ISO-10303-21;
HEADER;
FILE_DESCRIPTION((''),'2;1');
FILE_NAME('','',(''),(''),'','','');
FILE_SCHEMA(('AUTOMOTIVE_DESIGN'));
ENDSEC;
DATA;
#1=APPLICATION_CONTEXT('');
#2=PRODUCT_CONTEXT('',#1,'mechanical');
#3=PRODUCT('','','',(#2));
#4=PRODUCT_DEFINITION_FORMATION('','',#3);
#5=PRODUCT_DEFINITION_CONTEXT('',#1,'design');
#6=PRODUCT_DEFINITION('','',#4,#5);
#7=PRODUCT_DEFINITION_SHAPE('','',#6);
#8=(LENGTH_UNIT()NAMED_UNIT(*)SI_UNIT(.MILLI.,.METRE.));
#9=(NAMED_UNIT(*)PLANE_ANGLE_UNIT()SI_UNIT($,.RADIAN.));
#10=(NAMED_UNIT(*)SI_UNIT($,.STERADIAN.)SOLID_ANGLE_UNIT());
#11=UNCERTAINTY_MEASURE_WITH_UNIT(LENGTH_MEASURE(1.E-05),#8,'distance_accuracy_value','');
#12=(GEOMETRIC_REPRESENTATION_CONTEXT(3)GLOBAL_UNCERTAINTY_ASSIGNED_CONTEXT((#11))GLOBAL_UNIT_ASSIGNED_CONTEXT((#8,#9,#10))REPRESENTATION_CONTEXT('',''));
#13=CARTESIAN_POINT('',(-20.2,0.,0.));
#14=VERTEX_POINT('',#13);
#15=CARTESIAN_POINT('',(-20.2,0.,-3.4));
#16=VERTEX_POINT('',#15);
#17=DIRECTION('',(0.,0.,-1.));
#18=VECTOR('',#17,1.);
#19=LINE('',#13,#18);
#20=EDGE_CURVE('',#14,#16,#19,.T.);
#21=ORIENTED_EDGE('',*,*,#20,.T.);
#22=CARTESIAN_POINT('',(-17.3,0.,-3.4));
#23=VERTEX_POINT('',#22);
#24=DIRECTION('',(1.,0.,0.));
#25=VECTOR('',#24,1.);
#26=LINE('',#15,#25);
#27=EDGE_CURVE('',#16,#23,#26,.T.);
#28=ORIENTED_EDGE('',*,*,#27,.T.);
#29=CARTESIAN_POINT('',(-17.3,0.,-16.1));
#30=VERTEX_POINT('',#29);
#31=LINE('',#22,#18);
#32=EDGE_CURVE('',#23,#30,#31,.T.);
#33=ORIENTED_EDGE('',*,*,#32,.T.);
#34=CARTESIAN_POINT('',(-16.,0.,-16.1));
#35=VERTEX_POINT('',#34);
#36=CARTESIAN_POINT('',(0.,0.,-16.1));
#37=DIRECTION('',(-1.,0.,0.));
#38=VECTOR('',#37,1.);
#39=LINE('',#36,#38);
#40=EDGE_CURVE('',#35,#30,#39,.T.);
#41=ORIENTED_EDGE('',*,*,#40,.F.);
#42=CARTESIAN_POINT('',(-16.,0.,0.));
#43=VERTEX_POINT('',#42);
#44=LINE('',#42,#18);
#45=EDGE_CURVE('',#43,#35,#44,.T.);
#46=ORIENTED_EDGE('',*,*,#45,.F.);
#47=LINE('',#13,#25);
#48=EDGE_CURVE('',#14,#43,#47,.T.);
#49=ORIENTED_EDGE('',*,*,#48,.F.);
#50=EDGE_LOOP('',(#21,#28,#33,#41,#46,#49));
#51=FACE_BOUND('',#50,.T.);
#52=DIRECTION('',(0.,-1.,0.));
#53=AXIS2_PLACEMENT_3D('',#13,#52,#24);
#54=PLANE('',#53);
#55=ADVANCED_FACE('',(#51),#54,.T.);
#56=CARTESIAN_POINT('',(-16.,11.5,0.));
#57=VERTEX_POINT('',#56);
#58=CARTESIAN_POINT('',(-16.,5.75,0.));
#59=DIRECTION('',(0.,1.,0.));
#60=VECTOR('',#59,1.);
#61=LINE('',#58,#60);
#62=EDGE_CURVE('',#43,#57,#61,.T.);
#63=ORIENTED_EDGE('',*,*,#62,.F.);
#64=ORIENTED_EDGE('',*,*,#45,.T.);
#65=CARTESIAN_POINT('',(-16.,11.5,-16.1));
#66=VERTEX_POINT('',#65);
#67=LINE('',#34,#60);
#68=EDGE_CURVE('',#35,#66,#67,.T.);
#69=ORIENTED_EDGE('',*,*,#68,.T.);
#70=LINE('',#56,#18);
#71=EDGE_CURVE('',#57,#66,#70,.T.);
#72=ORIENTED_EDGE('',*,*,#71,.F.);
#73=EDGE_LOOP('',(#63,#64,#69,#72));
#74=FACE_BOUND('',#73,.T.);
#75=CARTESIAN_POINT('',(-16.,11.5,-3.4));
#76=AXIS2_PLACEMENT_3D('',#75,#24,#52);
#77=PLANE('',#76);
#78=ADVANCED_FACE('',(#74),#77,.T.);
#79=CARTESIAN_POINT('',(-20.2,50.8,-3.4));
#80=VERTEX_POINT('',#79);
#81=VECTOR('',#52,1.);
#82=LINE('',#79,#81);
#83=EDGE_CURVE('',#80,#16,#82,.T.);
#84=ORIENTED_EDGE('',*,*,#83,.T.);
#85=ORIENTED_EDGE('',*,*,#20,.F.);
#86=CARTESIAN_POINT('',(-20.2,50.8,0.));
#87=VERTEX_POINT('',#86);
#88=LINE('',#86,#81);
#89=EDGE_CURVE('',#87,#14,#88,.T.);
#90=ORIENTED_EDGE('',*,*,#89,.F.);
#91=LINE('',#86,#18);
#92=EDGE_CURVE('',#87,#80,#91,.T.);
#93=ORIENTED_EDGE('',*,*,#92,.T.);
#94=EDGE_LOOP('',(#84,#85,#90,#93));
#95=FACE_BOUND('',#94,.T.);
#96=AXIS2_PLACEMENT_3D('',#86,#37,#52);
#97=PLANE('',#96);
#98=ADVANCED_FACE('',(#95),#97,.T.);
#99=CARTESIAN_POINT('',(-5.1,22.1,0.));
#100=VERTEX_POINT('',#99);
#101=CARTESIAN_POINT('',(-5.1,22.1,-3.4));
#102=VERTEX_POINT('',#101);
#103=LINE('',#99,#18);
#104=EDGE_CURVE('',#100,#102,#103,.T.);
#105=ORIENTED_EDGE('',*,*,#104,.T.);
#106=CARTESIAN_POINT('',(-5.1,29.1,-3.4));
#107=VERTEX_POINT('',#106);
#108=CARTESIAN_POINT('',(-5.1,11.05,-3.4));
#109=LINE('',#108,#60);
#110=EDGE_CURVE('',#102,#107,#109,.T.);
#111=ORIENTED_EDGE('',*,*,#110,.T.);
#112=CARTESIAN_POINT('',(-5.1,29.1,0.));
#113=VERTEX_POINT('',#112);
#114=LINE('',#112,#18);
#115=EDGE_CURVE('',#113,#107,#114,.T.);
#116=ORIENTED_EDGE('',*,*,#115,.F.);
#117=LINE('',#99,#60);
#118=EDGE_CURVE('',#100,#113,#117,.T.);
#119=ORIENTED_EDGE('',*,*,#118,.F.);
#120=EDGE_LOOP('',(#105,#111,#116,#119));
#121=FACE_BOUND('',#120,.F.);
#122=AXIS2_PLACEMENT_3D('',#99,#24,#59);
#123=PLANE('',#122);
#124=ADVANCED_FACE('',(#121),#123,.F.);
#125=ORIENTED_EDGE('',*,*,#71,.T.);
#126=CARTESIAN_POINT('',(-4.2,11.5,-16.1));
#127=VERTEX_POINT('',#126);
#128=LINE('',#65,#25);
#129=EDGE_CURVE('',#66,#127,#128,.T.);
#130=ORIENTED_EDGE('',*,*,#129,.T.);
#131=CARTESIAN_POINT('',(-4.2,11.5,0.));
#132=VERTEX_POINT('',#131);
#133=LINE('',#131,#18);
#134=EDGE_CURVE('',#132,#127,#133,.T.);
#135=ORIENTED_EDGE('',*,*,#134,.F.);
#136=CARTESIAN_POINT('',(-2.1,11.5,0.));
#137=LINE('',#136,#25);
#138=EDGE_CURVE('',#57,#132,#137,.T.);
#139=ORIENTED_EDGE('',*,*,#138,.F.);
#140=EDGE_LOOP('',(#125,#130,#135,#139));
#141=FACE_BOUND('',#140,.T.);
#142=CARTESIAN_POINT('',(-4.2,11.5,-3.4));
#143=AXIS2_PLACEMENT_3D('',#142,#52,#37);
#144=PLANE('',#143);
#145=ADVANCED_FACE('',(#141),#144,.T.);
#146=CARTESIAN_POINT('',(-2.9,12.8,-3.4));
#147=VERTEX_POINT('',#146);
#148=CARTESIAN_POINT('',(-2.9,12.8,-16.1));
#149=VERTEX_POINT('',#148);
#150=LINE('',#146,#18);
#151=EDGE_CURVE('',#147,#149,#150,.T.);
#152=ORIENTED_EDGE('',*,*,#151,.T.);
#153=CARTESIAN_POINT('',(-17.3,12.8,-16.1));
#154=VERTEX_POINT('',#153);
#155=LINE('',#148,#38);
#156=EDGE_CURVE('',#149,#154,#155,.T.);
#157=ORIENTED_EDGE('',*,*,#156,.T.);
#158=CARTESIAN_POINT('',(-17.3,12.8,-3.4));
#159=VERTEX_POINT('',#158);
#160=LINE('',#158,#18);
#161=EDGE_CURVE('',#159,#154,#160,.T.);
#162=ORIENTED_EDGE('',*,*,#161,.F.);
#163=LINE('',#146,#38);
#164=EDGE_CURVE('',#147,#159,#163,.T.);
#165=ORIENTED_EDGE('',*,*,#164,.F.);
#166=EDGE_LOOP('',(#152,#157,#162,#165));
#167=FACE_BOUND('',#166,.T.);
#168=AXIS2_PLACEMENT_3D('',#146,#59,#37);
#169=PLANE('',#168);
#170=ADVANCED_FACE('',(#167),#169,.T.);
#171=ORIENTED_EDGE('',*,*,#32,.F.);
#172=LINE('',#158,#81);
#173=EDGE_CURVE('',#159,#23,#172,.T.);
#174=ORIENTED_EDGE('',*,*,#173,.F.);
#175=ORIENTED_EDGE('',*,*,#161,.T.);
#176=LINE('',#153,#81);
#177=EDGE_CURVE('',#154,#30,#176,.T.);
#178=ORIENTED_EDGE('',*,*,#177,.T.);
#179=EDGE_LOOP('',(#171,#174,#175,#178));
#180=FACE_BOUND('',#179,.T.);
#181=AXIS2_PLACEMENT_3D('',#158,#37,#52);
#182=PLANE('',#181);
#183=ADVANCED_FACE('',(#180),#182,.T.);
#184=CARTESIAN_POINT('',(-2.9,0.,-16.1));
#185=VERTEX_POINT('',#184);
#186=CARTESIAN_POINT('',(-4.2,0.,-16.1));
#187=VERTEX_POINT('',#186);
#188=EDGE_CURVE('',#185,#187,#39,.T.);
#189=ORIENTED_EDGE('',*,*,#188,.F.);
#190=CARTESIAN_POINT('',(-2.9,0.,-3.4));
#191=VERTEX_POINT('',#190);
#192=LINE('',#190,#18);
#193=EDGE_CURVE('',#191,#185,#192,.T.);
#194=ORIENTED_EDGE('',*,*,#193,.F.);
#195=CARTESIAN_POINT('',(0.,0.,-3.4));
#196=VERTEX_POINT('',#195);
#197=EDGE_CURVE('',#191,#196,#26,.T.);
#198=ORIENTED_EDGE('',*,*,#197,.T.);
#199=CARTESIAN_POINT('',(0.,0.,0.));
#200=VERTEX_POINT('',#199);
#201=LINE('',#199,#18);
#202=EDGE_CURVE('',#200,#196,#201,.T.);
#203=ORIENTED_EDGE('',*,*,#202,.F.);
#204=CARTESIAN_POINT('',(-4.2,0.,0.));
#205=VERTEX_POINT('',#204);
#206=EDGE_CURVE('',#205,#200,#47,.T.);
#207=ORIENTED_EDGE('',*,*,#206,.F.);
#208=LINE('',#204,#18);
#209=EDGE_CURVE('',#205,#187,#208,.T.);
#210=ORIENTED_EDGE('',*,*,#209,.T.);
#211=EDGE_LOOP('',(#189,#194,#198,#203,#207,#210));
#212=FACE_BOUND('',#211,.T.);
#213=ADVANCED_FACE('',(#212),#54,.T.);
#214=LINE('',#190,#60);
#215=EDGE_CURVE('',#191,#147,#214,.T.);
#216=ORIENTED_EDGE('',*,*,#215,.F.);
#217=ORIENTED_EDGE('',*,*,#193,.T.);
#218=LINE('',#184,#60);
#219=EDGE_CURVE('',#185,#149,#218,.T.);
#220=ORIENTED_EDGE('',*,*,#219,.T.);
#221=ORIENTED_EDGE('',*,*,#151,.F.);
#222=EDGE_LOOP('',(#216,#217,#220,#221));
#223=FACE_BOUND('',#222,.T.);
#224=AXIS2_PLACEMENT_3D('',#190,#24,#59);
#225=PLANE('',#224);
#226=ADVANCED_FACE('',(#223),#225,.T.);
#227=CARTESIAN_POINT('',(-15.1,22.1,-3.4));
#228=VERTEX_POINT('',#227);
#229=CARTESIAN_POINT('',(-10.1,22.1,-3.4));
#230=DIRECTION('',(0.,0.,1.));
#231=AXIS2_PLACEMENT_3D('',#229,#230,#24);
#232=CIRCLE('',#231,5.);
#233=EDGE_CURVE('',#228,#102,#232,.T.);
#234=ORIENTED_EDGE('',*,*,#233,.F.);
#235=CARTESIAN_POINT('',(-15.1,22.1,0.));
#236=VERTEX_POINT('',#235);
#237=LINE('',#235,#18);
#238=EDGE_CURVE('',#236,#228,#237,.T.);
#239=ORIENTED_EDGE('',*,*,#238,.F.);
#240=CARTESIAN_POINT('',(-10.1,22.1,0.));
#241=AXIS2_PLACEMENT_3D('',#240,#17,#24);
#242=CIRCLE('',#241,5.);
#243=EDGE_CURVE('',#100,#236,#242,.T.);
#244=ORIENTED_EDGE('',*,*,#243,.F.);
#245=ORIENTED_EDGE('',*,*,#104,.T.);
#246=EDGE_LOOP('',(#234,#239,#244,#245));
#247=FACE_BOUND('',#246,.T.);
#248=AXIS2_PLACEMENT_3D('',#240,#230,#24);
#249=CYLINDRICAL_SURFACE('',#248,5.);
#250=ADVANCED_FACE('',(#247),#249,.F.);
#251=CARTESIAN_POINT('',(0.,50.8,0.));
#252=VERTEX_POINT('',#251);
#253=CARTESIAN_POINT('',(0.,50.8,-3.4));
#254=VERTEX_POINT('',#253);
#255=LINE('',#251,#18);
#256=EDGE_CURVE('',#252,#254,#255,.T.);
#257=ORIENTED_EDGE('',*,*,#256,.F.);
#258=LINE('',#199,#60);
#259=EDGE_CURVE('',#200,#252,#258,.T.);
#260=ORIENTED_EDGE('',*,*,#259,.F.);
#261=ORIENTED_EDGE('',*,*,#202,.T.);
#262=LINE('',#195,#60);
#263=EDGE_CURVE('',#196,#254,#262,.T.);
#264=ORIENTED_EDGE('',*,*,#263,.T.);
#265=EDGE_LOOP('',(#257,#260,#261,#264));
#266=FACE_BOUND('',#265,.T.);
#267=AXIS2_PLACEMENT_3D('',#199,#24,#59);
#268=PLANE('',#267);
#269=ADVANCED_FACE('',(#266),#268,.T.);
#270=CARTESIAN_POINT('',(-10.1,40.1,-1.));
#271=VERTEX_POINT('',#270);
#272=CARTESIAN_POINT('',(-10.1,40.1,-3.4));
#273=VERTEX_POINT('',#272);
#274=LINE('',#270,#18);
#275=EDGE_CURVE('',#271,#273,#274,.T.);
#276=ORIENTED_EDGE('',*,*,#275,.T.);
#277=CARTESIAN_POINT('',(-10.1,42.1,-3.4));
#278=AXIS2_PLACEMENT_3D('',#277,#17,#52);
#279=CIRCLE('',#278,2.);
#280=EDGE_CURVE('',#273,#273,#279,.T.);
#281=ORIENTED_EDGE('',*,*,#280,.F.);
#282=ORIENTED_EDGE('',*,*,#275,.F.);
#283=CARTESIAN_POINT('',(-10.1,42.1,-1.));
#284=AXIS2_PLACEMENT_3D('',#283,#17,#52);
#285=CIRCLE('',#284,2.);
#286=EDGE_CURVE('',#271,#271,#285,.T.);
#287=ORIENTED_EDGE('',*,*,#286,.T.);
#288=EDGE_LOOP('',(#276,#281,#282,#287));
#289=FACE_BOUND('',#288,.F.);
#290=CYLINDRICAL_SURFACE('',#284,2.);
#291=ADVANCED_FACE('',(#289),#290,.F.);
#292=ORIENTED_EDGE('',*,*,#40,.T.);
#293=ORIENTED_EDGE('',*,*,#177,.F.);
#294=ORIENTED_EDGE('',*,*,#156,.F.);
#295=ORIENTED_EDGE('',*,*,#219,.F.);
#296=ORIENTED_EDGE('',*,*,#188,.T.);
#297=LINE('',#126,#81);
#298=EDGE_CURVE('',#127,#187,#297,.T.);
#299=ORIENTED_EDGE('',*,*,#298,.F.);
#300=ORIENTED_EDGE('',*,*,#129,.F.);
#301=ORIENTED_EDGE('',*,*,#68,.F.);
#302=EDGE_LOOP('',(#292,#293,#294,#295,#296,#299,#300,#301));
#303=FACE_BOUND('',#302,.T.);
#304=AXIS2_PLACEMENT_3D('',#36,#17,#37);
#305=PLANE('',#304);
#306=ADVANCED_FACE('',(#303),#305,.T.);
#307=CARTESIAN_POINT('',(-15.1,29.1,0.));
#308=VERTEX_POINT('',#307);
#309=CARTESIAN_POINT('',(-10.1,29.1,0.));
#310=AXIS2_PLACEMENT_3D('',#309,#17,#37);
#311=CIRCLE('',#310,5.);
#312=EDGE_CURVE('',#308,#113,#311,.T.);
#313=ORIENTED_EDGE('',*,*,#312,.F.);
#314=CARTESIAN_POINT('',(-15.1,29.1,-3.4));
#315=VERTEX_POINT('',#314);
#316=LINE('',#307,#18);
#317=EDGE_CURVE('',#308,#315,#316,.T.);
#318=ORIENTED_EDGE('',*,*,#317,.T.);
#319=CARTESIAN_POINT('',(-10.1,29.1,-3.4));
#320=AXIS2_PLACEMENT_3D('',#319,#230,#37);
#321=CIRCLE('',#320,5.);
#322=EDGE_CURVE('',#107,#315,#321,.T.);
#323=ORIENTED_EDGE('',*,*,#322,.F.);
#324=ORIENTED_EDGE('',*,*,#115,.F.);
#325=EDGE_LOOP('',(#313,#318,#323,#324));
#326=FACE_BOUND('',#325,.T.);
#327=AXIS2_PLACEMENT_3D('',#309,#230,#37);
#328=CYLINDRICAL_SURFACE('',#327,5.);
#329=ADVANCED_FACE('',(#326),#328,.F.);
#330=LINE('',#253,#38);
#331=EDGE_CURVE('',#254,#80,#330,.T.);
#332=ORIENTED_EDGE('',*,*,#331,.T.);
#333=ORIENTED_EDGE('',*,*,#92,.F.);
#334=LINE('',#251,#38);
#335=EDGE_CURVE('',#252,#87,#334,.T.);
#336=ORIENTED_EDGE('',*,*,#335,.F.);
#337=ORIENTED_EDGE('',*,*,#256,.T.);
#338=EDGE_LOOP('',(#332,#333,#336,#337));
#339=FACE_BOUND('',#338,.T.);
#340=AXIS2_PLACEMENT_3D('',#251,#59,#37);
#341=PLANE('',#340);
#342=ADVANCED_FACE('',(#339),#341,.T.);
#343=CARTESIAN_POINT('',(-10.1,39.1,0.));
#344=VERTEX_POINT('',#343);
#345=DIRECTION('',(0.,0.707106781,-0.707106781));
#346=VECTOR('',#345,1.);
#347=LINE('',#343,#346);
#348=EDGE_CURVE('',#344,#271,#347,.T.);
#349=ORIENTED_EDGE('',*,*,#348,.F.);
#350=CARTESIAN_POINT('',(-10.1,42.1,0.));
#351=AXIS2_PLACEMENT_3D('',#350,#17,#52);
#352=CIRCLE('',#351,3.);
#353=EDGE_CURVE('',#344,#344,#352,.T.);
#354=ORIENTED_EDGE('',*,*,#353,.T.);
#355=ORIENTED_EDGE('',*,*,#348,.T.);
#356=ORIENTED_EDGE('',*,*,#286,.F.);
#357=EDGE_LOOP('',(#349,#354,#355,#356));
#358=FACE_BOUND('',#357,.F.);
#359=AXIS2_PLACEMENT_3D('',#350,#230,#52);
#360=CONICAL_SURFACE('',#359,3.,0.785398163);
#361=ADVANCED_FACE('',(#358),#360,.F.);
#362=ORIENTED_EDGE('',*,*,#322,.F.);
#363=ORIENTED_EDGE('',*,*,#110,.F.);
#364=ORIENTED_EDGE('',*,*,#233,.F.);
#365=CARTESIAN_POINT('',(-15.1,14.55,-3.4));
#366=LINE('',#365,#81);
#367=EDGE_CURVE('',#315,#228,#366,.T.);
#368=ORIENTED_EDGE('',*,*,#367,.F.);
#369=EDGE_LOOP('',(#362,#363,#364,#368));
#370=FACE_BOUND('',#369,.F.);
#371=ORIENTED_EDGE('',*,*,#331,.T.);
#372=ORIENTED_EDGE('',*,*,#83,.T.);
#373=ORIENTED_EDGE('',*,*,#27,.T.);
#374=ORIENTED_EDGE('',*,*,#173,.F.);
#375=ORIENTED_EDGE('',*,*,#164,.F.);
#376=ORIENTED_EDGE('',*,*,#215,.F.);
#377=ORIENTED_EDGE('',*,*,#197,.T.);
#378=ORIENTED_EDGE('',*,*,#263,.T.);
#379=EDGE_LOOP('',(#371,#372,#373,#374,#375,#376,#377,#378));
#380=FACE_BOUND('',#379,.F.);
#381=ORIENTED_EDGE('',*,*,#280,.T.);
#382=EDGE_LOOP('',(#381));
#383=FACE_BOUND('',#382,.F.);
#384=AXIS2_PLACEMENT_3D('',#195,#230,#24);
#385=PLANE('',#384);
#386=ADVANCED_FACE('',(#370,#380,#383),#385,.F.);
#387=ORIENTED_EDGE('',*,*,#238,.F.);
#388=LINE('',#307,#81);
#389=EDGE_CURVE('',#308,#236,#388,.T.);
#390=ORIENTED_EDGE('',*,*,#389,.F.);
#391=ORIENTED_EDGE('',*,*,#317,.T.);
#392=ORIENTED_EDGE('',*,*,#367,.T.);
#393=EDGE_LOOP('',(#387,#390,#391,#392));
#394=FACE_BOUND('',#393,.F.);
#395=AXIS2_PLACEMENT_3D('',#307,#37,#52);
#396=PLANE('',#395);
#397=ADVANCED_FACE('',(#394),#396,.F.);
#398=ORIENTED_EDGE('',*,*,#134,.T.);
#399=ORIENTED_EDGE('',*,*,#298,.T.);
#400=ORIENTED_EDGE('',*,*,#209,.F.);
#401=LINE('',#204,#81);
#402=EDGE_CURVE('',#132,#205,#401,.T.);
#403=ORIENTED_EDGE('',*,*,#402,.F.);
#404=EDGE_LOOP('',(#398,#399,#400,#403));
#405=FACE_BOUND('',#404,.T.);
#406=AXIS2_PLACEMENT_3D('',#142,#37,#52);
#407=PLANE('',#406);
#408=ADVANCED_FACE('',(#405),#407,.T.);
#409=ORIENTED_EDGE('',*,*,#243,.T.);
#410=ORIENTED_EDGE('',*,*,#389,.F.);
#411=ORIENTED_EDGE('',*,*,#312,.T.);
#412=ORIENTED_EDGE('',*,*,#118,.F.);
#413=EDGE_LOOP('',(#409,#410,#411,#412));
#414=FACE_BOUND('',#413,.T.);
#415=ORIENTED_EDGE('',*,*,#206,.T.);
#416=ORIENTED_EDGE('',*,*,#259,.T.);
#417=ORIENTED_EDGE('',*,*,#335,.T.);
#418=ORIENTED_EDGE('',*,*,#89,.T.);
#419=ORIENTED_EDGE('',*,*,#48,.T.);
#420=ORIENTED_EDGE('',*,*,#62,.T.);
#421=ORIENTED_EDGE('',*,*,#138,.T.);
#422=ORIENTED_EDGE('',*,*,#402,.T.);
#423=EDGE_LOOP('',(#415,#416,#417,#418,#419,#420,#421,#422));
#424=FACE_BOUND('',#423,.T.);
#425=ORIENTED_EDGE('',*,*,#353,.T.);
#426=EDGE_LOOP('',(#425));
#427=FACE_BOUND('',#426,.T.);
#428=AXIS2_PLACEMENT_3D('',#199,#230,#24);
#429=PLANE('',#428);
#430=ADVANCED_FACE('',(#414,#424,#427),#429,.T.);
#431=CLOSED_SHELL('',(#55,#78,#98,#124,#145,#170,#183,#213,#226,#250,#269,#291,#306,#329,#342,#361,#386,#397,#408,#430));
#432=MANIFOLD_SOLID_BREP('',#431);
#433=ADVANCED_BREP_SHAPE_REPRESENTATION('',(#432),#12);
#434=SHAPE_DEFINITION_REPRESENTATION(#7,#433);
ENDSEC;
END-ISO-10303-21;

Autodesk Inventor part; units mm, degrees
ref_plane "YZ Plane" through (0, 0, 0) normal (1, 0, 0) x (0, 1, 0)
ref_plane "XZ Plane" through (0, 0, 0) normal (0, 1, 0) x (-1, 0, 0)
ref_plane "XY Plane" through (0, 0, 0) normal (0, 0, 1) x (1, 0, 0)
sketch "Boceto1" plane through (0, 0, 0) normal (0, 0, 1) x (1, 0, 0)
  line L0 (0, 50.8) -> (-20.2, 50.8)
  line L1 (-20.2, 50.8) -> (-20.2, 0)
  line L2 (-20.2, 0) -> (0, 0)
  line L3 (0, 0) -> (0, 50.8)
  dimension "d0" = 50.8
  dimension "d1" = 20.2
extrude "Extrusión1" add sketch "Boceto1" against normal blind 3.4
sketch "Boceto3" plane through (0, 0, 0) normal (0, 0, -1) x (-1, 0, 0)
  line L0 (20.2, 50.8) -> (0, 50.8) construction
  line L1 (0, 50.8) -> (0, 0) construction
  circle A0 centre (10.1, 42.1) radius 2
  line L2 (20.2, 0) -> (20.2, 50.8) projected
  dimension "d20" = 4
  dimension "d21" = 10.1
  dimension "d23" = 8.7
hole "Agujero3" at (-10.1, 42.1, 0) direction (0, 0, -1) diameter 4 end through all countersink diameter 6 countersink angle 90
sketch "Boceto5" plane through (0, 0, 0) normal (0, 0, -1) x (-1, 0, 0)
  line L0 (10.1, 29.1) -> (10.1, 22.1) construction
  line L1 (15.1, 29.1) -> (15.1, 22.1)
  line L2 (5.1, 22.1) -> (5.1, 29.1)
  arc A0 (15.1, 29.1) -> (5.1, 29.1) centre (10.1, 29.1) ccw
  arc A1 (5.1, 22.1) -> (15.1, 22.1) centre (10.1, 22.1) ccw
  circle A2 centre (10.1, 42.1) radius 3 projected
  line L3 (0, 50.8) -> (0, 0) projected
  point P0 (10.1, 25.6)
  point P1 (10.1, 17.1)
  point P2 (10.1, 34.1)
  dimension "d31" = 10
  dimension "d32" = 17
  dimension "d34" = 5.1
extrude "Extrusión2" cut sketch "Boceto5" along normal through all contours L1 A1 L2 A0
sketch "Boceto6" plane through (0, 0, -3.4) normal (0, 0, -1) x (-1, 0, 0)
  line L0 (0, 0) -> (20.2, 0) projected
  line L1 (2.9, 0) -> (2.9, 12.8)
  line L2 (2.9, 12.8) -> (17.3, 12.8)
  line L3 (17.3, 12.8) -> (17.3, 0)
  line L4 (16, 0) -> (16, 11.5)
  line L5 (16, 11.5) -> (4.2, 11.5)
  line L6 (4.2, 11.5) -> (4.2, 0)
  line L7 (0, 50.8) -> (0, 0) projected
  line L8 (20.2, 0) -> (20.2, 50.8) projected
  point P0 (4.2, 0)
  point P1 (16, 0)
  dimension "d37" = 12.8
  dimension "d40" = 1.3
  dimension "d50" = 14.4
  dimension "d51" = 2.9
  dimension "d52" = 2.9
extrude "Extrusión3" add sketch "Boceto6" along normal blind 12.7 contours L1 L2 L3 L0 L4 L5 L6
sketch "Boceto7" plane through (0, 0, -3.4) normal (0, 0, -1) x (-1, 0, 0)
  line L0 (16, 11.5) -> (16, 0) projected
  line L1 (4.2, 11.5) -> (16, 11.5)
  line L2 (16, 11.5) -> (16, 0)
  line L3 (16, 0) -> (4.2, 0)
  line L4 (4.2, 0) -> (4.2, 11.5)
  point P0 (0, 0)
  point P1 (16, 11.5)
extrude "Extrusión4" cut sketch "Boceto7" against normal blind 10
properties part number "PLASTICO" material "Plástico ABS"
